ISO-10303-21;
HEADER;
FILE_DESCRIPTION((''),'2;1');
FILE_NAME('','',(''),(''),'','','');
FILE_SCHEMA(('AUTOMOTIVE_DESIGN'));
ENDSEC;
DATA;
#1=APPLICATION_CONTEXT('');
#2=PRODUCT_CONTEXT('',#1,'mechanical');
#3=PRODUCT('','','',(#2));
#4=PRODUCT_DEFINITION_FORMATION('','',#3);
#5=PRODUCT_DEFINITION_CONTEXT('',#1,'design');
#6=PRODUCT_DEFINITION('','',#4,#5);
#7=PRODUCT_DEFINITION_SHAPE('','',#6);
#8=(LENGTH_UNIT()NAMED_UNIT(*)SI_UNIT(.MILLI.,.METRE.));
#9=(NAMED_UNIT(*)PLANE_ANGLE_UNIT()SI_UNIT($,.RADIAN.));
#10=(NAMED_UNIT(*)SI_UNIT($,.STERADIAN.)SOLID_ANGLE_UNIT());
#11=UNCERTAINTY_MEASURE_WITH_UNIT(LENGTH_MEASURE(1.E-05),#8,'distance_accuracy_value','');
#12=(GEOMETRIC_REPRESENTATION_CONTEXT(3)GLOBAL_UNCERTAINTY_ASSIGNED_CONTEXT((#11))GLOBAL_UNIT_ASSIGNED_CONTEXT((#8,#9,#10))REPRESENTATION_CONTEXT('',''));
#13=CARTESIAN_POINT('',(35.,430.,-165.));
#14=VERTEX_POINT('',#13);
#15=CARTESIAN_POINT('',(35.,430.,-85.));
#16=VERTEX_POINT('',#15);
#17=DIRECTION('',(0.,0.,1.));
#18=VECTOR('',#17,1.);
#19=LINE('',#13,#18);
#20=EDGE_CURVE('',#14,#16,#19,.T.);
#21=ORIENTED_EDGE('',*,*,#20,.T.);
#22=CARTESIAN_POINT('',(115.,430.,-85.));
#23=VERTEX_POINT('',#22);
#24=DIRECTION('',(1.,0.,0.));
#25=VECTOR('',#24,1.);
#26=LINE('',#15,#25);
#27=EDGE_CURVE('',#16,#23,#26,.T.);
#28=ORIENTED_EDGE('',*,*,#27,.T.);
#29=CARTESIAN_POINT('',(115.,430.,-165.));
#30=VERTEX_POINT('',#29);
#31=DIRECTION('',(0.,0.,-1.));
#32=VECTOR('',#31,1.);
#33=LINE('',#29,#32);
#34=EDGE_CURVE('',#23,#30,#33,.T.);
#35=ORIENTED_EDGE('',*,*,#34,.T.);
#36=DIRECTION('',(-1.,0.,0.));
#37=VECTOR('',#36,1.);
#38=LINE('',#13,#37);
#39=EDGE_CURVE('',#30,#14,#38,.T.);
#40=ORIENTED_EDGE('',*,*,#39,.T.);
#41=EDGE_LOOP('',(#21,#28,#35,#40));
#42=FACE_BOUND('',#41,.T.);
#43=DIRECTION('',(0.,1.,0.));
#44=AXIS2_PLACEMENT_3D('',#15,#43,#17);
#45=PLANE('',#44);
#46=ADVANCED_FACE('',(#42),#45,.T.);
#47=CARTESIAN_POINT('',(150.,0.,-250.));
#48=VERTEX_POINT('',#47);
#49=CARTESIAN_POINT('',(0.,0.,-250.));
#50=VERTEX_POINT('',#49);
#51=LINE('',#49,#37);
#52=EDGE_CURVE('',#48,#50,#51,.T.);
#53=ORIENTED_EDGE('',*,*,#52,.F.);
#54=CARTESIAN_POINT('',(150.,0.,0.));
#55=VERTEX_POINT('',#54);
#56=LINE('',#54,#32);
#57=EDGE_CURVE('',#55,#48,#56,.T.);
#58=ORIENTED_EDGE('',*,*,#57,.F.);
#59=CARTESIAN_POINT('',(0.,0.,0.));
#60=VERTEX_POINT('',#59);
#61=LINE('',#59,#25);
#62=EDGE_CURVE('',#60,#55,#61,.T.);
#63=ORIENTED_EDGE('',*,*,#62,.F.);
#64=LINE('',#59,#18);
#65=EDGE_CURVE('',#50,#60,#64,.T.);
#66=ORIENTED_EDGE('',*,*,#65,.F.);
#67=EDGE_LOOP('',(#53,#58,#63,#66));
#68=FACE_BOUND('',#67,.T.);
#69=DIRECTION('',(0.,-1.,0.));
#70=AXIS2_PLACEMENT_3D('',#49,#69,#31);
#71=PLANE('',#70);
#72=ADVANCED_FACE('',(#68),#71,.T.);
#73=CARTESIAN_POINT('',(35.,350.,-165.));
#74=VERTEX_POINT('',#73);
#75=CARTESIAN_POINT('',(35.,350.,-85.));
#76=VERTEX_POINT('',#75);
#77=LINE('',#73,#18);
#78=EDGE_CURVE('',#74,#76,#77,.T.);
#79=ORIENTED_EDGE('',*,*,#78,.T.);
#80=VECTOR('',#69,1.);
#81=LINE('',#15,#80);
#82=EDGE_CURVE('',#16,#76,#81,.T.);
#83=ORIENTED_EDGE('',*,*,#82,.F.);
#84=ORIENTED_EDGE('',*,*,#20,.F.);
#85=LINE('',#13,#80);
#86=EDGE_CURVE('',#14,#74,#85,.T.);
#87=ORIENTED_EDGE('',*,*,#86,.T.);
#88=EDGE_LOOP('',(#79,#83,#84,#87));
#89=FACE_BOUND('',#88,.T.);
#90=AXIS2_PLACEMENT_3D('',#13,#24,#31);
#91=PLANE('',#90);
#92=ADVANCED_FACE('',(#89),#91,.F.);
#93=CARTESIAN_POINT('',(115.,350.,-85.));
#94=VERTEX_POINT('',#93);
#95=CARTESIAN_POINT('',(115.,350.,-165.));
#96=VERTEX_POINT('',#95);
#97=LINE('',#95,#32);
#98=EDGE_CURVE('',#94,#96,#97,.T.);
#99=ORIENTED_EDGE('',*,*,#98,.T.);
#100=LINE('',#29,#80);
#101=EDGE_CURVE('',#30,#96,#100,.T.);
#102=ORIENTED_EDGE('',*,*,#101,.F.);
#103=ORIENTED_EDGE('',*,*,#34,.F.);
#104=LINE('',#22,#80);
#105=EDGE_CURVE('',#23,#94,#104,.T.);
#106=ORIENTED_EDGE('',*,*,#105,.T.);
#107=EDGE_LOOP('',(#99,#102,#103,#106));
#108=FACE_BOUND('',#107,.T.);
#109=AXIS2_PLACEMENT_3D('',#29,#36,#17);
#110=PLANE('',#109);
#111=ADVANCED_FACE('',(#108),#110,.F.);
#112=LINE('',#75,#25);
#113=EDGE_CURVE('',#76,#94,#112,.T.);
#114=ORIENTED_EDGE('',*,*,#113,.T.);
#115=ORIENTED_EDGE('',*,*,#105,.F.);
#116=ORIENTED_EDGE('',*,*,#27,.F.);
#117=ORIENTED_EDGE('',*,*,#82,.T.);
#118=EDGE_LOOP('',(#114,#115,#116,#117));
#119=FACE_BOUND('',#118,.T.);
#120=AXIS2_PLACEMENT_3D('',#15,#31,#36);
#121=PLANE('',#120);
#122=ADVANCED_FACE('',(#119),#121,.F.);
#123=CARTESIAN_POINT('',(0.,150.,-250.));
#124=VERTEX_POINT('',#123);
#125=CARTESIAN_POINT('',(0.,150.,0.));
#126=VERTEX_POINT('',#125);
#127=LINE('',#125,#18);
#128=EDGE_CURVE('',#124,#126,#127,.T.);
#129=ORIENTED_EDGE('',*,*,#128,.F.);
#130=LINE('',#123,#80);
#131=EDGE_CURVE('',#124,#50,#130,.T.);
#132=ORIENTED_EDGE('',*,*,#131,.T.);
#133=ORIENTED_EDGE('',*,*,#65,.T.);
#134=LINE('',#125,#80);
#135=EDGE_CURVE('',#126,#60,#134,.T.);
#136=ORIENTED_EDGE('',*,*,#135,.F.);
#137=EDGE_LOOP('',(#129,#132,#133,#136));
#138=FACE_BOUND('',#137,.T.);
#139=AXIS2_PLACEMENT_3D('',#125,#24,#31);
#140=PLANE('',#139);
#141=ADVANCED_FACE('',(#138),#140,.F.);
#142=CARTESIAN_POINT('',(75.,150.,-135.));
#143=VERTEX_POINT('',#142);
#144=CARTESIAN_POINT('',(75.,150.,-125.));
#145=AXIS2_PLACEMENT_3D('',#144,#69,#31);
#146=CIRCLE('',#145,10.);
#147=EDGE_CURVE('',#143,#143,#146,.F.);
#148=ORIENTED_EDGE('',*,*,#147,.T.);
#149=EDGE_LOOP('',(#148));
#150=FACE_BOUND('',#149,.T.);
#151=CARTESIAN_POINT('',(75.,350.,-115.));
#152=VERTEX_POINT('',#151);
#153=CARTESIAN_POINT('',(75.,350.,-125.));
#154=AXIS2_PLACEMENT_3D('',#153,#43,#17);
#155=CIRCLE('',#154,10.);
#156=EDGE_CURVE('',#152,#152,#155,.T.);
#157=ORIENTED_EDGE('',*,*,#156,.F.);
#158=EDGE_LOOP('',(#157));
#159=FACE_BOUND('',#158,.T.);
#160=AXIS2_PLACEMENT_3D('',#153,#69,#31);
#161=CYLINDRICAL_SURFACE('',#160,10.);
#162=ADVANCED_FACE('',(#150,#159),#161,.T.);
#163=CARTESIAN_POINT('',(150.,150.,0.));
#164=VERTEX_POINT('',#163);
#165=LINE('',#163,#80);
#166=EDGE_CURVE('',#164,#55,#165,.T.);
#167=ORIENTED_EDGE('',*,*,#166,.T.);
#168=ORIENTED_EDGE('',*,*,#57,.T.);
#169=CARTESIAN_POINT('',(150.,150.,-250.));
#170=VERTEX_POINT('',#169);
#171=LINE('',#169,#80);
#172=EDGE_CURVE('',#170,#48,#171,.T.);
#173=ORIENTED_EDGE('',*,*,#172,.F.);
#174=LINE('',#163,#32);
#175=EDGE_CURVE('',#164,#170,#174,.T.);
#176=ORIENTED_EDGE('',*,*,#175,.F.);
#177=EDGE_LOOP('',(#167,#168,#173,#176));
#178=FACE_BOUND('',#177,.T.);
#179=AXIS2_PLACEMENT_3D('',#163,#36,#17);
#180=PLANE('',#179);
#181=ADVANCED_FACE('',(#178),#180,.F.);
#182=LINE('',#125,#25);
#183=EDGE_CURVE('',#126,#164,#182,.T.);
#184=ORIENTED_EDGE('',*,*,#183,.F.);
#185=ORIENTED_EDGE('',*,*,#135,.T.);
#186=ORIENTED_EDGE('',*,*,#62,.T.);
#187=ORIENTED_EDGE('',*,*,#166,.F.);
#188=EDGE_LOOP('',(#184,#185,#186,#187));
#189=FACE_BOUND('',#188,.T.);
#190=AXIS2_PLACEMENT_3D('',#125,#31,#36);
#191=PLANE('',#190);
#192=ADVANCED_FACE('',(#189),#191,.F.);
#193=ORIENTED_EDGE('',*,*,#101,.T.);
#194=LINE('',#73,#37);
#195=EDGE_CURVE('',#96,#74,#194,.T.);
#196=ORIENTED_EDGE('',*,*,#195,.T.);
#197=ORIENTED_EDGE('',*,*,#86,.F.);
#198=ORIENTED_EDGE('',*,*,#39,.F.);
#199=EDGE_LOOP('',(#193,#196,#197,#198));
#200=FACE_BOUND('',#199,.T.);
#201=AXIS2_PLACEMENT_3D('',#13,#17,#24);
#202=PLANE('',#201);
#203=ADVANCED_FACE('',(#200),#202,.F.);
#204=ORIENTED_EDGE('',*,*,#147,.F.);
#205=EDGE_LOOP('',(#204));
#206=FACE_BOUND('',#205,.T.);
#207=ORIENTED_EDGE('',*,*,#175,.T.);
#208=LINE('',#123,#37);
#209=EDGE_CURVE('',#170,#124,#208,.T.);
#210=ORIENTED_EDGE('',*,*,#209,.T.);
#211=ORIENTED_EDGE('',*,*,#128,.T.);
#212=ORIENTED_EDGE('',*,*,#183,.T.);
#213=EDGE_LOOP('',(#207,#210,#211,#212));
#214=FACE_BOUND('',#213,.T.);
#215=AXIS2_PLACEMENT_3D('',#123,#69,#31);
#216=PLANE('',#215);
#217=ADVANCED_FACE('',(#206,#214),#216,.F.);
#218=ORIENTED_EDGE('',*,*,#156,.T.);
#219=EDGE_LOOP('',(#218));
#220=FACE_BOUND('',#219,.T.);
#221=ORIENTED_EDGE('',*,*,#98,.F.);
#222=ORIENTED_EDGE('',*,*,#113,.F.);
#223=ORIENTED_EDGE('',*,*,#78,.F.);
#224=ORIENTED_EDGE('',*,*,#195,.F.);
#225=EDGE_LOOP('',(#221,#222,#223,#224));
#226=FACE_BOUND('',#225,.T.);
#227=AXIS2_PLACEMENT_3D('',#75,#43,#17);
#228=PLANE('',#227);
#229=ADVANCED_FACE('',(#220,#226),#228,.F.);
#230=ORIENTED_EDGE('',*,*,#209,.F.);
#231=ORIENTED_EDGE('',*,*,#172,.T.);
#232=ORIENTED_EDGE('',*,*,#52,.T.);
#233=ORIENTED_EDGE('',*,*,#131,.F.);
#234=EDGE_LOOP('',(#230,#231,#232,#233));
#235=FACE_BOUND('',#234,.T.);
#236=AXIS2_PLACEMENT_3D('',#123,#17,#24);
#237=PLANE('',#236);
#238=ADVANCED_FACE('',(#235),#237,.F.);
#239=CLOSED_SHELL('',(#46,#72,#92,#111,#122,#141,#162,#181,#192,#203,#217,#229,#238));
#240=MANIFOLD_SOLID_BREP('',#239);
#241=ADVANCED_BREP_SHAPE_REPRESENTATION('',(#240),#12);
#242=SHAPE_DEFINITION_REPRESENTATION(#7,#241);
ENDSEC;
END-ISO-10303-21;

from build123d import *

# Parameters (mm, degrees)
ESQUISSE1_W      = 150
ESQUISSE1_H      = 250
EXTRUSION1_DEPTH = 150
ESQUISSE2_R      = 10
EXTRUSION2_DEPTH = 200
ESQUISSE3_W      = 80
ESQUISSE3_H      = 80
EXTRUSION3_DEPTH = 80


with BuildPart() as part:
    # Esquisse1 → Extrusion1 (new body)
    with BuildSketch(Plane(origin=(0, 0, 0), x_dir=(1, 0, 0), z_dir=(0, 1, 0))):
        with Locations((75, 125)):
            Rectangle(ESQUISSE1_W, ESQUISSE1_H)
    extrude(amount=EXTRUSION1_DEPTH)

    # Esquisse2 → Extrusion2 (add)
    with BuildSketch(Plane(origin=(0, 150, 0), x_dir=(1, 0, 0), z_dir=(0, 1, 0))):
        with Locations((75, 125)):
            Circle(ESQUISSE2_R)
    extrude(amount=EXTRUSION2_DEPTH)

    # Esquisse3 → Extrusion3 (add)
    with BuildSketch(Plane(origin=(0, 350, 0), x_dir=(1, 0, 0), z_dir=(0, 1, 0))):
        with Locations((75, 125)):
            Rectangle(ESQUISSE3_W, ESQUISSE3_H)
    extrude(amount=EXTRUSION3_DEPTH)


solid = part.part
